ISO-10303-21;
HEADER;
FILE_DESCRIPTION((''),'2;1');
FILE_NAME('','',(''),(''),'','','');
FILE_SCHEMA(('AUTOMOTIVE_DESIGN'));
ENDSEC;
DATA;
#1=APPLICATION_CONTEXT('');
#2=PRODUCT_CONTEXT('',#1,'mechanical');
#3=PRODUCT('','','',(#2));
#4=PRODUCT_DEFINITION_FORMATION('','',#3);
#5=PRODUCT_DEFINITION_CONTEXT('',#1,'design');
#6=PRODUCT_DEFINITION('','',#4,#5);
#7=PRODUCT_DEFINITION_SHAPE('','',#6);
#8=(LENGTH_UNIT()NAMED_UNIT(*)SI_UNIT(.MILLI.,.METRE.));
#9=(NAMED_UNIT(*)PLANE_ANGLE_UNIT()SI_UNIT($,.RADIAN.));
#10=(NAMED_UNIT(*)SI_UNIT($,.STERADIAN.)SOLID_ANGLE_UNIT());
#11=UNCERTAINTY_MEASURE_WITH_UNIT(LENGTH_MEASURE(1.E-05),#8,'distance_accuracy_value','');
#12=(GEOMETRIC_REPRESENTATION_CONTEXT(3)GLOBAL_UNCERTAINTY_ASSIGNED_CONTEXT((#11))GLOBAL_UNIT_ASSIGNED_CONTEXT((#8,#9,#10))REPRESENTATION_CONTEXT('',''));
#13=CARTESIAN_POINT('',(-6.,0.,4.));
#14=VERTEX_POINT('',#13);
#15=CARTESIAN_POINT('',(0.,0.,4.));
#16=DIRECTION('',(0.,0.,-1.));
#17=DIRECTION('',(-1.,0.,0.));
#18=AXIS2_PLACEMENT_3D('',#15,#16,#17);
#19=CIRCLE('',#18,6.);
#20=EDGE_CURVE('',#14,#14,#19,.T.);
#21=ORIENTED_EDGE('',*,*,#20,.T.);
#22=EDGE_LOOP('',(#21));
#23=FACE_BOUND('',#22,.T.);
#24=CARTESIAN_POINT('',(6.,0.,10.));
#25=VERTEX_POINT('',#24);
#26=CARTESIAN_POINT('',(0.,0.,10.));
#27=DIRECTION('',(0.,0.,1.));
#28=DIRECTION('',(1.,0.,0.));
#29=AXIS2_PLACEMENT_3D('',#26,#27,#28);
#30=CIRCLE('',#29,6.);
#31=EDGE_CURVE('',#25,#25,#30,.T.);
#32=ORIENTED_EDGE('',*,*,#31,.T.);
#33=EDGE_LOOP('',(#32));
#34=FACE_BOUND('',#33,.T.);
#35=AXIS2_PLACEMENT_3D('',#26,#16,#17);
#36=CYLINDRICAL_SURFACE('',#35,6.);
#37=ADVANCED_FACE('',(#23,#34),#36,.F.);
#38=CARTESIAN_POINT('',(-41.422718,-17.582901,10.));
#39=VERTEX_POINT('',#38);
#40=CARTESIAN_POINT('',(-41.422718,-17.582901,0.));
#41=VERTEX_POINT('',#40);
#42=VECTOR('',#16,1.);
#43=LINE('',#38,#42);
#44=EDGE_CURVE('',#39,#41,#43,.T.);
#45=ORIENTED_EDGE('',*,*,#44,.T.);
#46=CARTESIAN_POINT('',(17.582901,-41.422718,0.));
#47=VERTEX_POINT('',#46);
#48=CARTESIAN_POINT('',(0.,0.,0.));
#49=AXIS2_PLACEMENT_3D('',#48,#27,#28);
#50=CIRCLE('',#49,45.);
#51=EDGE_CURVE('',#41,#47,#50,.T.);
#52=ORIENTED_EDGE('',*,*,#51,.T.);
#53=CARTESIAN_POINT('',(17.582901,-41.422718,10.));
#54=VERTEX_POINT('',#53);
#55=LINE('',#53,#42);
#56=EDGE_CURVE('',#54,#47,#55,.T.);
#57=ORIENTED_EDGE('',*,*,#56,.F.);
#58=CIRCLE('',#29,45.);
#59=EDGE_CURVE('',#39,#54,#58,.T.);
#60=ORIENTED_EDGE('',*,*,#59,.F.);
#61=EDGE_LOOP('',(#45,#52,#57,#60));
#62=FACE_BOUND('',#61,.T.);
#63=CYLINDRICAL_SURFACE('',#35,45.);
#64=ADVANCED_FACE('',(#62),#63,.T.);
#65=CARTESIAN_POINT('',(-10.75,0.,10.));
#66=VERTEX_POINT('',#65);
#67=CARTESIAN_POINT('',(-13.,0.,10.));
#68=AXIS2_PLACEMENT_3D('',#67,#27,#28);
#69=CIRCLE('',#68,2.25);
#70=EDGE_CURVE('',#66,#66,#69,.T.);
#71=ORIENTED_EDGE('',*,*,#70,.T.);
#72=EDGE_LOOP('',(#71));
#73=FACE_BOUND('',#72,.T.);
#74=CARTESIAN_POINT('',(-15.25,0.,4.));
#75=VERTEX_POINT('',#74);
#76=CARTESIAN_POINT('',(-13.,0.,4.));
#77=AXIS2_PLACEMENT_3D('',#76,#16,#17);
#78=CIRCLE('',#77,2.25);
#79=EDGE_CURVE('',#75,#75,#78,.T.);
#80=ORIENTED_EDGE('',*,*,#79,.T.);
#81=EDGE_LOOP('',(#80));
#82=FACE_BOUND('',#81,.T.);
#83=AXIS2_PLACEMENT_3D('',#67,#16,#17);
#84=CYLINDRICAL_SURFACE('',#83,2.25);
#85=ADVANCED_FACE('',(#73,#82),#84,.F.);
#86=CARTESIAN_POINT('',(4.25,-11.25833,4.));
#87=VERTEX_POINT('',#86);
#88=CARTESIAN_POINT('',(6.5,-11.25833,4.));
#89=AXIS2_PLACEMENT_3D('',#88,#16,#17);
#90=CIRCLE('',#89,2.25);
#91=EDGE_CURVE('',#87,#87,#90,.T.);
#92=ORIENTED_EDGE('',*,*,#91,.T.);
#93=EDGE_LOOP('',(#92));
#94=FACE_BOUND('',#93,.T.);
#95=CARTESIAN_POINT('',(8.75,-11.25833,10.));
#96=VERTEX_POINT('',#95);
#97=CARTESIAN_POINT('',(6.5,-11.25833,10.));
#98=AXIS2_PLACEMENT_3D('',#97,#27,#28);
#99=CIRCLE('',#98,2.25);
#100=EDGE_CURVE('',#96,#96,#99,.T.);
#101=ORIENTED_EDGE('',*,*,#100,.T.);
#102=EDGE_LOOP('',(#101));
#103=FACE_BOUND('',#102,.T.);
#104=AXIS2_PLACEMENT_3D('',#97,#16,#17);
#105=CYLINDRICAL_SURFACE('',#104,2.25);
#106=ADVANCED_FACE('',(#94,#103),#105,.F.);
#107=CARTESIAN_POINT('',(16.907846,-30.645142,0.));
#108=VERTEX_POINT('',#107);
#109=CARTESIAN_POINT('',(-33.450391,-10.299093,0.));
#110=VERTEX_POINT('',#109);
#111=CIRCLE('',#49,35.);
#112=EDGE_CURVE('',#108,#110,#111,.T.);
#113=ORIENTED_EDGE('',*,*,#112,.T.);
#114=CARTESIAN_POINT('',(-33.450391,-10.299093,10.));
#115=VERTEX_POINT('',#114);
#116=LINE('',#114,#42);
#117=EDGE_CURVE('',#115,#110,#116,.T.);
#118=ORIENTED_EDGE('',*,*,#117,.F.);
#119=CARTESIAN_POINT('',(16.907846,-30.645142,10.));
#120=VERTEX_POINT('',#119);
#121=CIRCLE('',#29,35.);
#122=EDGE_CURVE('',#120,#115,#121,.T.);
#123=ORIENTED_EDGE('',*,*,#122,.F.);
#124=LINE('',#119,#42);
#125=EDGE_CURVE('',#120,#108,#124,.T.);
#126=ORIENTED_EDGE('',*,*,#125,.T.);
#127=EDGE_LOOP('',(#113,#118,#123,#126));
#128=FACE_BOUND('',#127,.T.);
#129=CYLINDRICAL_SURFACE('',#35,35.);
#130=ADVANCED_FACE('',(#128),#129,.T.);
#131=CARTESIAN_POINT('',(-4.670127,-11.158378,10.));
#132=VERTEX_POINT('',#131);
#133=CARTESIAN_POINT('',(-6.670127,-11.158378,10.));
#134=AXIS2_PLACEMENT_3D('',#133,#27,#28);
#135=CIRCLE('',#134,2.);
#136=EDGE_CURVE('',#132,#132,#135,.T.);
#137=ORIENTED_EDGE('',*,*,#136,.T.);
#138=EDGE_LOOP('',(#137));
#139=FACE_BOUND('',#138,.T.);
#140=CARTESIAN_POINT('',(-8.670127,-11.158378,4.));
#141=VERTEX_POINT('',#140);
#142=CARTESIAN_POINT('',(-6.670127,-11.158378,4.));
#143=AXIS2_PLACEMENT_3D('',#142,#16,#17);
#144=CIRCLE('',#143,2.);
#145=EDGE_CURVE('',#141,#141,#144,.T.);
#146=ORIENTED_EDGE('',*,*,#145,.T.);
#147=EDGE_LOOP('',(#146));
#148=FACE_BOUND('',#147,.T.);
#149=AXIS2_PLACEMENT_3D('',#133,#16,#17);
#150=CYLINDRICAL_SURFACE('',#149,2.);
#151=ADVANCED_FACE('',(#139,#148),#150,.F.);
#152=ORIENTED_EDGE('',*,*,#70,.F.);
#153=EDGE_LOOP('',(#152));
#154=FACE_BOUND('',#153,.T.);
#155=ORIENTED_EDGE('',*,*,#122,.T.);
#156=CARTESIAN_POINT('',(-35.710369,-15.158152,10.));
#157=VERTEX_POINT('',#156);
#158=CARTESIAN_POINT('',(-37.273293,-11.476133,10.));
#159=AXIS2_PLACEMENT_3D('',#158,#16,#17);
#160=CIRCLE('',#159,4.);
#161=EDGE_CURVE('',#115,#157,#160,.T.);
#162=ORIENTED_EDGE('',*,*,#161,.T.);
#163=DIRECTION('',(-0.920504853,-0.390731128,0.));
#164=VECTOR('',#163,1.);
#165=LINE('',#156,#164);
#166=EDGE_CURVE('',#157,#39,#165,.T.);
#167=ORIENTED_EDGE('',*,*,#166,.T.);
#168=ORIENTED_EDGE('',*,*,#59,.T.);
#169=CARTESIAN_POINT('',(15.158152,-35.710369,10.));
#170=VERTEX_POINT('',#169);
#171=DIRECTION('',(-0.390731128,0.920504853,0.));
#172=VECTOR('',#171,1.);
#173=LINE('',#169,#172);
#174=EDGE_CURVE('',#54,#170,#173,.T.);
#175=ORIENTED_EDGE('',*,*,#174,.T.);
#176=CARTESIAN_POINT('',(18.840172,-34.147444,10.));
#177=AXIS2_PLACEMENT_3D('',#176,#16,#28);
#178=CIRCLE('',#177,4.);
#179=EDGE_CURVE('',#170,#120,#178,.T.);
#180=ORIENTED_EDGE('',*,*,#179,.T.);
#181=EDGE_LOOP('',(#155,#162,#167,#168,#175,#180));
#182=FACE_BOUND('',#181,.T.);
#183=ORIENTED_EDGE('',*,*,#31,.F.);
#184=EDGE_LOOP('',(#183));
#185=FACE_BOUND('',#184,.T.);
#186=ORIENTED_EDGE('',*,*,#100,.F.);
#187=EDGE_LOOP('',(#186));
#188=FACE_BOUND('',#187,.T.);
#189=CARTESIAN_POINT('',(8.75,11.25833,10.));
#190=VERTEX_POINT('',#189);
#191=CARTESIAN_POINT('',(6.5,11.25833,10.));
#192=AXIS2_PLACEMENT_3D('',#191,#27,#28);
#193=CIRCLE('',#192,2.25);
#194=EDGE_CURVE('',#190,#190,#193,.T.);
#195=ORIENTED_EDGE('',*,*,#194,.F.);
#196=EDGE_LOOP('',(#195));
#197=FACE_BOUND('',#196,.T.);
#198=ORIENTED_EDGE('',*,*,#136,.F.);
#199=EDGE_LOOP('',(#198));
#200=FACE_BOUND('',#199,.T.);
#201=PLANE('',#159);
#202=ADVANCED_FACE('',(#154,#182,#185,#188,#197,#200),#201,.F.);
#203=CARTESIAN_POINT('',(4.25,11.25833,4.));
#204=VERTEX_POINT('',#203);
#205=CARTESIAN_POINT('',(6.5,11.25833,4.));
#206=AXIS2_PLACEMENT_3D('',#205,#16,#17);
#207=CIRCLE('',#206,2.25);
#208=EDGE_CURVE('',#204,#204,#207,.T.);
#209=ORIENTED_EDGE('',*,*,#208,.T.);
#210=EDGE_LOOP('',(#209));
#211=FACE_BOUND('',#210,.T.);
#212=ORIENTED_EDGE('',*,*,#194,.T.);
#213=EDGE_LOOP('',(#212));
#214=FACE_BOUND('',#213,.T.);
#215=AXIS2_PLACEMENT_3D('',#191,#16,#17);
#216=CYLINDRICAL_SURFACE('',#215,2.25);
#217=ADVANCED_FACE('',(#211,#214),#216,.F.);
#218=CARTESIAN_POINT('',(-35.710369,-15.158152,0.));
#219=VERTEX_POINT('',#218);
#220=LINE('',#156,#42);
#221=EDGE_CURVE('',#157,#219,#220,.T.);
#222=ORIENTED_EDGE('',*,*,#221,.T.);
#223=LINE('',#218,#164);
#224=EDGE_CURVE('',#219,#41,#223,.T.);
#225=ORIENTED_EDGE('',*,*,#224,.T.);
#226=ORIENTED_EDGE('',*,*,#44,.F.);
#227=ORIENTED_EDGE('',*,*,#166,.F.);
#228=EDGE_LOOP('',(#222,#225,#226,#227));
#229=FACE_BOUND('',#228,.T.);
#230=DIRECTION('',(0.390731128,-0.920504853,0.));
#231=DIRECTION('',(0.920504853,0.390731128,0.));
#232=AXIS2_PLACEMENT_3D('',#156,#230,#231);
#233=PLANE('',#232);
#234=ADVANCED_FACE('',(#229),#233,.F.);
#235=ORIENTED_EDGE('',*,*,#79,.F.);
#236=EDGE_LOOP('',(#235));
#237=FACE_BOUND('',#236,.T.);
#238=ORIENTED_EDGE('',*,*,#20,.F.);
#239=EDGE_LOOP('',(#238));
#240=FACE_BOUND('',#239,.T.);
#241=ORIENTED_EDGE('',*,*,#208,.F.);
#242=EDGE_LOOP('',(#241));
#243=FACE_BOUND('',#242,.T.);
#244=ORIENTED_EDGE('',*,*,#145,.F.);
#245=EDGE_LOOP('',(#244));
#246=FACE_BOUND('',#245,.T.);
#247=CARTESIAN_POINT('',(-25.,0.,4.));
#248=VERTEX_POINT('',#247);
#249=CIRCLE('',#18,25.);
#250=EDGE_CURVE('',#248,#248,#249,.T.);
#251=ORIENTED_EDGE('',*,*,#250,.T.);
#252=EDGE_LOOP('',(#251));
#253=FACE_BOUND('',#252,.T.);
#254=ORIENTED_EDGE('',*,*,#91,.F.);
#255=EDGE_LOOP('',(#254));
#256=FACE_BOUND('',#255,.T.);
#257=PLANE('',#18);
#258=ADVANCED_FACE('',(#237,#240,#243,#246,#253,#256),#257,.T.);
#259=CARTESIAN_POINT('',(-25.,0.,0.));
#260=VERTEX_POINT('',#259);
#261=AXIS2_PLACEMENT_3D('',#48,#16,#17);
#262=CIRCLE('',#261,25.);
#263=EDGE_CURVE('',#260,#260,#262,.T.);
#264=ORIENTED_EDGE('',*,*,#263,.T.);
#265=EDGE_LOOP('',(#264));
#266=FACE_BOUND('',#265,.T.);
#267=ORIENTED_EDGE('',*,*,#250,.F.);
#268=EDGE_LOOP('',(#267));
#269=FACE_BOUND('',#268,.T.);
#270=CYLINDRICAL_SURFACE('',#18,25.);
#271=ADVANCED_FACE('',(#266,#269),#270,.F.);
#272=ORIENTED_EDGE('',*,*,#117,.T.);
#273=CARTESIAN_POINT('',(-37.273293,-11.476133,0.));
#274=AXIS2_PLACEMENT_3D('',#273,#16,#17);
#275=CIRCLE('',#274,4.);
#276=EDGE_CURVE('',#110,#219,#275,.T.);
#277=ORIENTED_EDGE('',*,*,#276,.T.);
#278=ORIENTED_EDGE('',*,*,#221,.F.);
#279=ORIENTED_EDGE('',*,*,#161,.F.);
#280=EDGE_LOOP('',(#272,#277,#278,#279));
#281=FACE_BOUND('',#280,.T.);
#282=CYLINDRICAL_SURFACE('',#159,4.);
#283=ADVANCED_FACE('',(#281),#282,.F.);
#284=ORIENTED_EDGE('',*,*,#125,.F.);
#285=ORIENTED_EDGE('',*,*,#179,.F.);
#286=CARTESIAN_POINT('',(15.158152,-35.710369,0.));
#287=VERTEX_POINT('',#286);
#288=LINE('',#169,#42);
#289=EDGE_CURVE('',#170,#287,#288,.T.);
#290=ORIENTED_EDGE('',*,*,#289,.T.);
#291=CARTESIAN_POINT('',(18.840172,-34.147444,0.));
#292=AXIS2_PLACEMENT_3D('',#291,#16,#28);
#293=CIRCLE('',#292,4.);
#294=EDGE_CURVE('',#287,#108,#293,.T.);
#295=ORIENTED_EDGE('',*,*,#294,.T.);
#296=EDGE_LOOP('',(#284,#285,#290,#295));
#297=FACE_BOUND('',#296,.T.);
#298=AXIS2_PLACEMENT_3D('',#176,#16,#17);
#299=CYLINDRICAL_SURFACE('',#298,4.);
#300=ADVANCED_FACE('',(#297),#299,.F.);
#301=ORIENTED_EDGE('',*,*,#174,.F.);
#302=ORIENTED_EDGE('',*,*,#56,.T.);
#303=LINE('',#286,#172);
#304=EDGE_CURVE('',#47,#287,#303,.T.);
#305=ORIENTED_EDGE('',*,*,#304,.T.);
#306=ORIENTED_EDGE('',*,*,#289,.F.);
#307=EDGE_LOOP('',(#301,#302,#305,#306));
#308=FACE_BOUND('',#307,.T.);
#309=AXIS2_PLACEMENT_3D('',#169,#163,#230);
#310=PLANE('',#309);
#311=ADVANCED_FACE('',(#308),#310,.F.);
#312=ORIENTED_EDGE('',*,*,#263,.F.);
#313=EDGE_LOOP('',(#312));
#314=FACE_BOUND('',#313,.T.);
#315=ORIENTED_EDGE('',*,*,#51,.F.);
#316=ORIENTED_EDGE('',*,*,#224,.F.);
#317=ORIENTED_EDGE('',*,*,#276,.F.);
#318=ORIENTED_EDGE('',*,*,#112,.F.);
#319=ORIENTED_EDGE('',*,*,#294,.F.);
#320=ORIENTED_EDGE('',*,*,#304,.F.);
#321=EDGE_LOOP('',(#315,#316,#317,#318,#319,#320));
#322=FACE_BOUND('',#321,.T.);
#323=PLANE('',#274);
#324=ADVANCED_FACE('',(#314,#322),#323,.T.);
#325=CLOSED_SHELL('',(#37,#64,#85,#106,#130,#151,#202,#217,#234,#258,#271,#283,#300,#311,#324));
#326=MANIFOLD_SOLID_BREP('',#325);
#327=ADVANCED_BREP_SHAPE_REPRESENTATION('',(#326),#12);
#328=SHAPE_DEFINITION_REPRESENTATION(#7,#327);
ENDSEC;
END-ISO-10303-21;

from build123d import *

# Parameters (mm, degrees)
ESQUISSE1_R             = 2.25
ESQUISSE1_R_2           = 6
ESQUISSE1_R_3           = 2
EXTRUSION1_DEPTH        = 10
ESQUISSE2_R             = 25
ENL_V_MAT_EXTRU_1_DEPTH = 4


with BuildPart() as part:
    # Esquisse1 → Extrusion1 (new body)
    with BuildSketch(Plane.XY):
        with BuildLine():
            Line((15.158152138, -35.710368575), (17.582900782, -41.422718405))
            ThreePointArc((17.582900782, -41.422718405), (-16.857296704, -41.723273456), (-41.422718405, -17.582900782))
            Line((-41.422718405, -17.582900782), (-35.710368575, -15.158152138))
            ThreePointArc((-35.710368575, -15.158152138), (-33.646394386, -13.163025073), (-33.450391234, -10.29909347))
            ThreePointArc((-33.450391234, -10.29909347), (13.11123077, 32.45143491), (16.907846264, -30.645142106))
            ThreePointArc((16.907846264, -30.645142106), (15.059385072, -32.841437324), (15.158152138, -35.710368575))
        make_face()
        with Locations((-13, 0)):
            Circle(ESQUISSE1_R, mode=Mode.SUBTRACT)
        with Locations((6.5, 11.258330249)):
            Circle(ESQUISSE1_R, mode=Mode.SUBTRACT)
        with Locations((6.5, -11.258330249)):
            Circle(ESQUISSE1_R, mode=Mode.SUBTRACT)
        Circle(ESQUISSE1_R_2, mode=Mode.SUBTRACT)
        with Locations((-6.670127311, -11.158378093)):
            Circle(ESQUISSE1_R_3, mode=Mode.SUBTRACT)
    extrude(amount=EXTRUSION1_DEPTH)

    # Esquisse2 → Enlèv. mat.-Extru.1 (cut)
    with BuildSketch(Plane(origin=(0, 0, 0), x_dir=(-1, 0, 0), z_dir=(0, 0, -1))):
        Circle(ESQUISSE2_R)
    extrude(amount=-ENL_V_MAT_EXTRU_1_DEPTH, mode=Mode.SUBTRACT)


solid = part.part
